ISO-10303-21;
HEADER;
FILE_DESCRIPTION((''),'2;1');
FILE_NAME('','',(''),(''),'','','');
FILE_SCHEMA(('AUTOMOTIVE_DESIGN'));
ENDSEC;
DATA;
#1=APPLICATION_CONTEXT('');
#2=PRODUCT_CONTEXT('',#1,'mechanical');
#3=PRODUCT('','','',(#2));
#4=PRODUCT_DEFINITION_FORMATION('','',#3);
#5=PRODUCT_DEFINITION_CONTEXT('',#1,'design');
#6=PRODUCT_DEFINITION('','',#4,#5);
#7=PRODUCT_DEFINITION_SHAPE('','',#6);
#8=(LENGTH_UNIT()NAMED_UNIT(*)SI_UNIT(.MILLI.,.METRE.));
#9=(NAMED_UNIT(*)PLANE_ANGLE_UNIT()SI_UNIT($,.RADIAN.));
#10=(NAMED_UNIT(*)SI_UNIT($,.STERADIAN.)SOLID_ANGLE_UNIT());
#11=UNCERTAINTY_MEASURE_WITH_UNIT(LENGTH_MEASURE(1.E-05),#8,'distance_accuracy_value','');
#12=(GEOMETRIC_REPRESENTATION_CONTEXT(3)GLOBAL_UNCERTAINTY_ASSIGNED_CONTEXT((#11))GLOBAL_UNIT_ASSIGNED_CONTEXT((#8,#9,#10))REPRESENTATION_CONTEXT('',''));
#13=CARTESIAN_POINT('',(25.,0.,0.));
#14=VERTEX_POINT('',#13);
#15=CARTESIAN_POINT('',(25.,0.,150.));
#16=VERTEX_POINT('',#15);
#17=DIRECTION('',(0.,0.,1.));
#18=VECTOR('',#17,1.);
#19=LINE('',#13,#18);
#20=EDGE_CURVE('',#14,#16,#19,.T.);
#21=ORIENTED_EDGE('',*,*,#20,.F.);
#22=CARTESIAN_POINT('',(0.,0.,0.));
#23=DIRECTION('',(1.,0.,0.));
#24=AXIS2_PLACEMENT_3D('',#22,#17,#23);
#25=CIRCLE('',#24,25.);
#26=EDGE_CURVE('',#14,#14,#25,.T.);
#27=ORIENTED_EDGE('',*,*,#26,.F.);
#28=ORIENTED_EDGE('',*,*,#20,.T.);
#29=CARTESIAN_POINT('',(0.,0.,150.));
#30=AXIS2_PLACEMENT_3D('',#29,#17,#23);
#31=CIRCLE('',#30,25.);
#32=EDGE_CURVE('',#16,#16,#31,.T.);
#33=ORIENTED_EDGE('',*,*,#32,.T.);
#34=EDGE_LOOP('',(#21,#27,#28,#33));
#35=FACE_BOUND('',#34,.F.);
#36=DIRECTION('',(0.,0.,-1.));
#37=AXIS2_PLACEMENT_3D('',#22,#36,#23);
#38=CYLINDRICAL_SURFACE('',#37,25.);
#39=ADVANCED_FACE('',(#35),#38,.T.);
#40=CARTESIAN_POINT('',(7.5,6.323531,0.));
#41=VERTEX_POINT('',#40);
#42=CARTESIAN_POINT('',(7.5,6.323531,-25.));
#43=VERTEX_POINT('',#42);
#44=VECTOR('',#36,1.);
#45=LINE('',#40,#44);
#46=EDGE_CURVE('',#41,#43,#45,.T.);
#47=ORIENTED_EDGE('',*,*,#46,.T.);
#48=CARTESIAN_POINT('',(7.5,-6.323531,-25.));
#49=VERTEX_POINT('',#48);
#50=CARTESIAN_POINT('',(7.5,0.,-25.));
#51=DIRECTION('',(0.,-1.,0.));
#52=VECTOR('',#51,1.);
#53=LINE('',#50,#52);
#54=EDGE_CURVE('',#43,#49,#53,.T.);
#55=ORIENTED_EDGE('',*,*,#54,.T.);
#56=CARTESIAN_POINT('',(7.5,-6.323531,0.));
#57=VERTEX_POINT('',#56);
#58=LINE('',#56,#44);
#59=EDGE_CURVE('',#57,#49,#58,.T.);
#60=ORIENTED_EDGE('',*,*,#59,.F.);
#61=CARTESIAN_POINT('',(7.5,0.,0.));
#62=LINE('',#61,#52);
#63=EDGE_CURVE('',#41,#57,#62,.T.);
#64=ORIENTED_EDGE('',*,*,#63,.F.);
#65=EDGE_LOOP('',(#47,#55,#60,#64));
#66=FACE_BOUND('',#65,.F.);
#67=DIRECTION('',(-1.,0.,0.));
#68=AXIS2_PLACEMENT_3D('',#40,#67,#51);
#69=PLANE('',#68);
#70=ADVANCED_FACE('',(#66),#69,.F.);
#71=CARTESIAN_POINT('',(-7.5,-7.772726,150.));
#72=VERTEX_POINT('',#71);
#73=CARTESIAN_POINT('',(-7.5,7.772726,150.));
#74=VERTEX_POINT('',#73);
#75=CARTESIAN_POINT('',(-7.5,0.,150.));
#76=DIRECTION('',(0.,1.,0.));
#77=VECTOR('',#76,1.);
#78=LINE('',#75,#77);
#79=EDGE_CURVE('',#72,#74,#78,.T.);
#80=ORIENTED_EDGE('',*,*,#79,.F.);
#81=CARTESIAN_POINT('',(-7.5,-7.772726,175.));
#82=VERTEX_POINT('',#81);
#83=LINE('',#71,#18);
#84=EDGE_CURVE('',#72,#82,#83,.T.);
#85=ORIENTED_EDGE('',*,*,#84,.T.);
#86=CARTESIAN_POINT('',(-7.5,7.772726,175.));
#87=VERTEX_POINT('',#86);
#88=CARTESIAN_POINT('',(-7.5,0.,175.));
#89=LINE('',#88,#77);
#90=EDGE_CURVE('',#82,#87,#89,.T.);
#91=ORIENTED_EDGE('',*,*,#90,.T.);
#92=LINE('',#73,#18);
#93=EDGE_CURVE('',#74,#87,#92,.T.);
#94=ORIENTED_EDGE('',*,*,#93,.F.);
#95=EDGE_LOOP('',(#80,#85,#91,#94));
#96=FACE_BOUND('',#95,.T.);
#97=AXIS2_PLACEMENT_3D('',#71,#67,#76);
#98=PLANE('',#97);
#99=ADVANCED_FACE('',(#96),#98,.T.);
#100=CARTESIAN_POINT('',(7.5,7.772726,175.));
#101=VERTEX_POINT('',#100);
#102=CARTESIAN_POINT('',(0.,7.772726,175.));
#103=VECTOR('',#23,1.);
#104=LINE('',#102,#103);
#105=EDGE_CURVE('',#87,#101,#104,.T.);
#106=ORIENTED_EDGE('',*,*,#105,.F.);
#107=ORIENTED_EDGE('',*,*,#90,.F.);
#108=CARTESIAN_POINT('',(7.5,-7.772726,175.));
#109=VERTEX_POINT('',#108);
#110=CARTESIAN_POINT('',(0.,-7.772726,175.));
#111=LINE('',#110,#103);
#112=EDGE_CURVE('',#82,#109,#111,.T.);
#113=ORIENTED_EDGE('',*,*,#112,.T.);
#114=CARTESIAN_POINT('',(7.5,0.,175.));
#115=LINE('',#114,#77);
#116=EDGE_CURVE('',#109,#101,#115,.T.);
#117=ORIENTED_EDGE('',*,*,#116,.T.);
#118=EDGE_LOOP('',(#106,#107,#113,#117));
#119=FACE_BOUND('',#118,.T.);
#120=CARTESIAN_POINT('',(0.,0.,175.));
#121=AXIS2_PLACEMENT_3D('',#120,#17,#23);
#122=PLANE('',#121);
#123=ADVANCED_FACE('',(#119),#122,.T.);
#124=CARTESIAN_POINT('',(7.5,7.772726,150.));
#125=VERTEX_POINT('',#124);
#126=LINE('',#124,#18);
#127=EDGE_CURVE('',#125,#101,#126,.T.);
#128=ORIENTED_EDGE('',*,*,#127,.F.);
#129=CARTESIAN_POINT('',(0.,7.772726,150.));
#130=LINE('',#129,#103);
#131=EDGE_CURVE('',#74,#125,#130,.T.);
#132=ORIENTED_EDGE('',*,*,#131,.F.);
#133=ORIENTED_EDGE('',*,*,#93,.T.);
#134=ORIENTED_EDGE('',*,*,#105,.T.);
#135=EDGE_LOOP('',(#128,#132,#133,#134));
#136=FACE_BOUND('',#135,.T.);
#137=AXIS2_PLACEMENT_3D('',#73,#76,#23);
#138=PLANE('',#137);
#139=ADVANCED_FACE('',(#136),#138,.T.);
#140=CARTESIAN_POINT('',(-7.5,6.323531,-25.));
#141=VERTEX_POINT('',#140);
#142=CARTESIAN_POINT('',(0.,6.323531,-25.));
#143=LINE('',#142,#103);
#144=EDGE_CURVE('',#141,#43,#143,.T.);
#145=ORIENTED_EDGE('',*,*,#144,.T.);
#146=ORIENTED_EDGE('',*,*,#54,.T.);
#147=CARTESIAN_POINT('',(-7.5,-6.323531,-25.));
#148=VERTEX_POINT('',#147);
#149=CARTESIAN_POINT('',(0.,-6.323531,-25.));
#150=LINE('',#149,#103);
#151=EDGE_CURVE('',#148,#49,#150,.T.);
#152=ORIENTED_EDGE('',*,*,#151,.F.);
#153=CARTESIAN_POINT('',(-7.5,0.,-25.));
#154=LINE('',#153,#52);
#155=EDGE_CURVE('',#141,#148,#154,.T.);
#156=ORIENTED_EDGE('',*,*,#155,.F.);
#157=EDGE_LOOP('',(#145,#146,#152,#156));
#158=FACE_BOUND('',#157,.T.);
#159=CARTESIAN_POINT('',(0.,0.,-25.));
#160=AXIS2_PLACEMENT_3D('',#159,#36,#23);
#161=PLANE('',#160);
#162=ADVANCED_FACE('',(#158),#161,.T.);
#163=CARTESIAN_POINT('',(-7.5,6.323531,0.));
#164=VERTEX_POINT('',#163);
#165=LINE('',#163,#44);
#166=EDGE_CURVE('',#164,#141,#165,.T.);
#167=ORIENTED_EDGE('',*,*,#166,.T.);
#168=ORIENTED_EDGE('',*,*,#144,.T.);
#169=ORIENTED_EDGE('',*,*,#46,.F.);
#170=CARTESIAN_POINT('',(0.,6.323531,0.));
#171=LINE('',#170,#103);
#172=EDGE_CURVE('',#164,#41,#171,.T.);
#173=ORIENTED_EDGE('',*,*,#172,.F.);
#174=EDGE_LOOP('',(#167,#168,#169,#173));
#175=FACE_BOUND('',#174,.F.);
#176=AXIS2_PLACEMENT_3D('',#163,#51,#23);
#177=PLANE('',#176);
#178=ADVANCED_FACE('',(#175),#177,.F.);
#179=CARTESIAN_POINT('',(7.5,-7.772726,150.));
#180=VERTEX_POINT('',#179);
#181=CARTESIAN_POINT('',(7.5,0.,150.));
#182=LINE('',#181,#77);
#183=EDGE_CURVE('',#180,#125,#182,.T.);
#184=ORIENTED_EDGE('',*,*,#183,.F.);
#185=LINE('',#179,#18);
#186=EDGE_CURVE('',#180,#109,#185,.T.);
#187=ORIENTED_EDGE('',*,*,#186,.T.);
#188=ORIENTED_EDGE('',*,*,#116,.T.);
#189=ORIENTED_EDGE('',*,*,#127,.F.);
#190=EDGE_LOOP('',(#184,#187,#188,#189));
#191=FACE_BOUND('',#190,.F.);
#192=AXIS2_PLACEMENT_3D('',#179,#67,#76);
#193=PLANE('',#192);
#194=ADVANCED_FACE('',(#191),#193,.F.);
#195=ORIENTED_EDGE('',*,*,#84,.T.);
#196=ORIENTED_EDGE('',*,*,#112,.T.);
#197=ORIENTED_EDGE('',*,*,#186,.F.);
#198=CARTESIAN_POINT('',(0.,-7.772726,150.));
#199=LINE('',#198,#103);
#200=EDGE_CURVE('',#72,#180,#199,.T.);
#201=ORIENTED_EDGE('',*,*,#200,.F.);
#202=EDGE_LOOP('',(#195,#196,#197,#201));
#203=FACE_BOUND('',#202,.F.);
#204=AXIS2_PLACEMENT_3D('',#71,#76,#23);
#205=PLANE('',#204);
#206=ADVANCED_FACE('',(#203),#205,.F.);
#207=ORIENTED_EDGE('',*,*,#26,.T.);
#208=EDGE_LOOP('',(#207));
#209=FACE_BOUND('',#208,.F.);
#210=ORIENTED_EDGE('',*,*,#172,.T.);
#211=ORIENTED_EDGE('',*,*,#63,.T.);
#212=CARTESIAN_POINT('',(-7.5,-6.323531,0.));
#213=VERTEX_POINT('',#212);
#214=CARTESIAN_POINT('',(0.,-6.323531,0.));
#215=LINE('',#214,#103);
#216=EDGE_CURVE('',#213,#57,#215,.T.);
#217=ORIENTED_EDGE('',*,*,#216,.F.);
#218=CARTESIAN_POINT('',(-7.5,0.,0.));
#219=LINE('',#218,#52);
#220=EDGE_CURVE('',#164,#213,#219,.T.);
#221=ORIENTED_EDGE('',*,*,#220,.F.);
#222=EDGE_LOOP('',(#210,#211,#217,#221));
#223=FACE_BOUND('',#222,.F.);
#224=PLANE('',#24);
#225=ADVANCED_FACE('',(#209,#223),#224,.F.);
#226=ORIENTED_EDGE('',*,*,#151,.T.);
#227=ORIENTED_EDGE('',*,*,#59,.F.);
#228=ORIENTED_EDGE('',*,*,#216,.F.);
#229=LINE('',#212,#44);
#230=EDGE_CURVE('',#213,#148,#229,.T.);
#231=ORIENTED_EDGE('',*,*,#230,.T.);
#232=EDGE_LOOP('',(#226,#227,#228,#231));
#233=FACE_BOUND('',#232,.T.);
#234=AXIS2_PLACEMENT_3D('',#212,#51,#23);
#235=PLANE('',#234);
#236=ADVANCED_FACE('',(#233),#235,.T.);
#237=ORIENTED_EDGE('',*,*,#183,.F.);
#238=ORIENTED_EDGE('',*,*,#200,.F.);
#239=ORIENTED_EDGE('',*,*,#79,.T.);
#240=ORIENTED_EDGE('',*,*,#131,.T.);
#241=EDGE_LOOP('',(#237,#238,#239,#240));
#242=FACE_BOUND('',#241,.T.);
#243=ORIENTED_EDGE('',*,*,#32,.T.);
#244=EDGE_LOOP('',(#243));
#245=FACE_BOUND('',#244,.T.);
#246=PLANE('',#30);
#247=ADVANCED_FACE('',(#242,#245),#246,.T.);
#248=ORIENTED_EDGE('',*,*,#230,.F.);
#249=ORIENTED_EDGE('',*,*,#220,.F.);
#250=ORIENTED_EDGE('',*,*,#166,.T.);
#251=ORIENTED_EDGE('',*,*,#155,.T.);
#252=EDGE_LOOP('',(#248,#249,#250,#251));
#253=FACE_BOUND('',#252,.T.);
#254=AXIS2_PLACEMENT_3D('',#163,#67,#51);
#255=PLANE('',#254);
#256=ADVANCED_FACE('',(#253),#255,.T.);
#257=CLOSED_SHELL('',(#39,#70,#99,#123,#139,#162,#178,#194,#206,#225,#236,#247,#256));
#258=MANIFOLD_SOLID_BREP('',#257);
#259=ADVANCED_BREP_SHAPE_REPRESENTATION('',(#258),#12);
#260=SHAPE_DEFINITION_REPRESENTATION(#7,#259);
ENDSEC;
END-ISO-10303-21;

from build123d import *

# Parameters (mm, degrees)
F0_R     = 25
F1_DEPTH = 150
F2_W     = 15
F2_H     = 15.545452
F3_DEPTH = 25
F4_W     = 15
F4_H     = 12.647062
F5_DEPTH = 25


with BuildPart() as f1:
    # F0 (on Top) → F1 (new body)
    with BuildSketch(Plane.XY):
        Circle(F0_R)
    extrude(amount=F1_DEPTH)

    # F2 (on face) → F3 (join)
    with BuildSketch(Plane.XY.offset(150)):
        Rectangle(F2_W, F2_H)
    extrude(amount=F3_DEPTH)

    # F4 (on face) → F5 (join)
    with BuildSketch(Plane(origin=(0, 0, 0), x_dir=(1, 0, 0), z_dir=(0, 0, -1))):
        Rectangle(F4_W, F4_H)
    extrude(amount=F5_DEPTH)


solid = f1.part
